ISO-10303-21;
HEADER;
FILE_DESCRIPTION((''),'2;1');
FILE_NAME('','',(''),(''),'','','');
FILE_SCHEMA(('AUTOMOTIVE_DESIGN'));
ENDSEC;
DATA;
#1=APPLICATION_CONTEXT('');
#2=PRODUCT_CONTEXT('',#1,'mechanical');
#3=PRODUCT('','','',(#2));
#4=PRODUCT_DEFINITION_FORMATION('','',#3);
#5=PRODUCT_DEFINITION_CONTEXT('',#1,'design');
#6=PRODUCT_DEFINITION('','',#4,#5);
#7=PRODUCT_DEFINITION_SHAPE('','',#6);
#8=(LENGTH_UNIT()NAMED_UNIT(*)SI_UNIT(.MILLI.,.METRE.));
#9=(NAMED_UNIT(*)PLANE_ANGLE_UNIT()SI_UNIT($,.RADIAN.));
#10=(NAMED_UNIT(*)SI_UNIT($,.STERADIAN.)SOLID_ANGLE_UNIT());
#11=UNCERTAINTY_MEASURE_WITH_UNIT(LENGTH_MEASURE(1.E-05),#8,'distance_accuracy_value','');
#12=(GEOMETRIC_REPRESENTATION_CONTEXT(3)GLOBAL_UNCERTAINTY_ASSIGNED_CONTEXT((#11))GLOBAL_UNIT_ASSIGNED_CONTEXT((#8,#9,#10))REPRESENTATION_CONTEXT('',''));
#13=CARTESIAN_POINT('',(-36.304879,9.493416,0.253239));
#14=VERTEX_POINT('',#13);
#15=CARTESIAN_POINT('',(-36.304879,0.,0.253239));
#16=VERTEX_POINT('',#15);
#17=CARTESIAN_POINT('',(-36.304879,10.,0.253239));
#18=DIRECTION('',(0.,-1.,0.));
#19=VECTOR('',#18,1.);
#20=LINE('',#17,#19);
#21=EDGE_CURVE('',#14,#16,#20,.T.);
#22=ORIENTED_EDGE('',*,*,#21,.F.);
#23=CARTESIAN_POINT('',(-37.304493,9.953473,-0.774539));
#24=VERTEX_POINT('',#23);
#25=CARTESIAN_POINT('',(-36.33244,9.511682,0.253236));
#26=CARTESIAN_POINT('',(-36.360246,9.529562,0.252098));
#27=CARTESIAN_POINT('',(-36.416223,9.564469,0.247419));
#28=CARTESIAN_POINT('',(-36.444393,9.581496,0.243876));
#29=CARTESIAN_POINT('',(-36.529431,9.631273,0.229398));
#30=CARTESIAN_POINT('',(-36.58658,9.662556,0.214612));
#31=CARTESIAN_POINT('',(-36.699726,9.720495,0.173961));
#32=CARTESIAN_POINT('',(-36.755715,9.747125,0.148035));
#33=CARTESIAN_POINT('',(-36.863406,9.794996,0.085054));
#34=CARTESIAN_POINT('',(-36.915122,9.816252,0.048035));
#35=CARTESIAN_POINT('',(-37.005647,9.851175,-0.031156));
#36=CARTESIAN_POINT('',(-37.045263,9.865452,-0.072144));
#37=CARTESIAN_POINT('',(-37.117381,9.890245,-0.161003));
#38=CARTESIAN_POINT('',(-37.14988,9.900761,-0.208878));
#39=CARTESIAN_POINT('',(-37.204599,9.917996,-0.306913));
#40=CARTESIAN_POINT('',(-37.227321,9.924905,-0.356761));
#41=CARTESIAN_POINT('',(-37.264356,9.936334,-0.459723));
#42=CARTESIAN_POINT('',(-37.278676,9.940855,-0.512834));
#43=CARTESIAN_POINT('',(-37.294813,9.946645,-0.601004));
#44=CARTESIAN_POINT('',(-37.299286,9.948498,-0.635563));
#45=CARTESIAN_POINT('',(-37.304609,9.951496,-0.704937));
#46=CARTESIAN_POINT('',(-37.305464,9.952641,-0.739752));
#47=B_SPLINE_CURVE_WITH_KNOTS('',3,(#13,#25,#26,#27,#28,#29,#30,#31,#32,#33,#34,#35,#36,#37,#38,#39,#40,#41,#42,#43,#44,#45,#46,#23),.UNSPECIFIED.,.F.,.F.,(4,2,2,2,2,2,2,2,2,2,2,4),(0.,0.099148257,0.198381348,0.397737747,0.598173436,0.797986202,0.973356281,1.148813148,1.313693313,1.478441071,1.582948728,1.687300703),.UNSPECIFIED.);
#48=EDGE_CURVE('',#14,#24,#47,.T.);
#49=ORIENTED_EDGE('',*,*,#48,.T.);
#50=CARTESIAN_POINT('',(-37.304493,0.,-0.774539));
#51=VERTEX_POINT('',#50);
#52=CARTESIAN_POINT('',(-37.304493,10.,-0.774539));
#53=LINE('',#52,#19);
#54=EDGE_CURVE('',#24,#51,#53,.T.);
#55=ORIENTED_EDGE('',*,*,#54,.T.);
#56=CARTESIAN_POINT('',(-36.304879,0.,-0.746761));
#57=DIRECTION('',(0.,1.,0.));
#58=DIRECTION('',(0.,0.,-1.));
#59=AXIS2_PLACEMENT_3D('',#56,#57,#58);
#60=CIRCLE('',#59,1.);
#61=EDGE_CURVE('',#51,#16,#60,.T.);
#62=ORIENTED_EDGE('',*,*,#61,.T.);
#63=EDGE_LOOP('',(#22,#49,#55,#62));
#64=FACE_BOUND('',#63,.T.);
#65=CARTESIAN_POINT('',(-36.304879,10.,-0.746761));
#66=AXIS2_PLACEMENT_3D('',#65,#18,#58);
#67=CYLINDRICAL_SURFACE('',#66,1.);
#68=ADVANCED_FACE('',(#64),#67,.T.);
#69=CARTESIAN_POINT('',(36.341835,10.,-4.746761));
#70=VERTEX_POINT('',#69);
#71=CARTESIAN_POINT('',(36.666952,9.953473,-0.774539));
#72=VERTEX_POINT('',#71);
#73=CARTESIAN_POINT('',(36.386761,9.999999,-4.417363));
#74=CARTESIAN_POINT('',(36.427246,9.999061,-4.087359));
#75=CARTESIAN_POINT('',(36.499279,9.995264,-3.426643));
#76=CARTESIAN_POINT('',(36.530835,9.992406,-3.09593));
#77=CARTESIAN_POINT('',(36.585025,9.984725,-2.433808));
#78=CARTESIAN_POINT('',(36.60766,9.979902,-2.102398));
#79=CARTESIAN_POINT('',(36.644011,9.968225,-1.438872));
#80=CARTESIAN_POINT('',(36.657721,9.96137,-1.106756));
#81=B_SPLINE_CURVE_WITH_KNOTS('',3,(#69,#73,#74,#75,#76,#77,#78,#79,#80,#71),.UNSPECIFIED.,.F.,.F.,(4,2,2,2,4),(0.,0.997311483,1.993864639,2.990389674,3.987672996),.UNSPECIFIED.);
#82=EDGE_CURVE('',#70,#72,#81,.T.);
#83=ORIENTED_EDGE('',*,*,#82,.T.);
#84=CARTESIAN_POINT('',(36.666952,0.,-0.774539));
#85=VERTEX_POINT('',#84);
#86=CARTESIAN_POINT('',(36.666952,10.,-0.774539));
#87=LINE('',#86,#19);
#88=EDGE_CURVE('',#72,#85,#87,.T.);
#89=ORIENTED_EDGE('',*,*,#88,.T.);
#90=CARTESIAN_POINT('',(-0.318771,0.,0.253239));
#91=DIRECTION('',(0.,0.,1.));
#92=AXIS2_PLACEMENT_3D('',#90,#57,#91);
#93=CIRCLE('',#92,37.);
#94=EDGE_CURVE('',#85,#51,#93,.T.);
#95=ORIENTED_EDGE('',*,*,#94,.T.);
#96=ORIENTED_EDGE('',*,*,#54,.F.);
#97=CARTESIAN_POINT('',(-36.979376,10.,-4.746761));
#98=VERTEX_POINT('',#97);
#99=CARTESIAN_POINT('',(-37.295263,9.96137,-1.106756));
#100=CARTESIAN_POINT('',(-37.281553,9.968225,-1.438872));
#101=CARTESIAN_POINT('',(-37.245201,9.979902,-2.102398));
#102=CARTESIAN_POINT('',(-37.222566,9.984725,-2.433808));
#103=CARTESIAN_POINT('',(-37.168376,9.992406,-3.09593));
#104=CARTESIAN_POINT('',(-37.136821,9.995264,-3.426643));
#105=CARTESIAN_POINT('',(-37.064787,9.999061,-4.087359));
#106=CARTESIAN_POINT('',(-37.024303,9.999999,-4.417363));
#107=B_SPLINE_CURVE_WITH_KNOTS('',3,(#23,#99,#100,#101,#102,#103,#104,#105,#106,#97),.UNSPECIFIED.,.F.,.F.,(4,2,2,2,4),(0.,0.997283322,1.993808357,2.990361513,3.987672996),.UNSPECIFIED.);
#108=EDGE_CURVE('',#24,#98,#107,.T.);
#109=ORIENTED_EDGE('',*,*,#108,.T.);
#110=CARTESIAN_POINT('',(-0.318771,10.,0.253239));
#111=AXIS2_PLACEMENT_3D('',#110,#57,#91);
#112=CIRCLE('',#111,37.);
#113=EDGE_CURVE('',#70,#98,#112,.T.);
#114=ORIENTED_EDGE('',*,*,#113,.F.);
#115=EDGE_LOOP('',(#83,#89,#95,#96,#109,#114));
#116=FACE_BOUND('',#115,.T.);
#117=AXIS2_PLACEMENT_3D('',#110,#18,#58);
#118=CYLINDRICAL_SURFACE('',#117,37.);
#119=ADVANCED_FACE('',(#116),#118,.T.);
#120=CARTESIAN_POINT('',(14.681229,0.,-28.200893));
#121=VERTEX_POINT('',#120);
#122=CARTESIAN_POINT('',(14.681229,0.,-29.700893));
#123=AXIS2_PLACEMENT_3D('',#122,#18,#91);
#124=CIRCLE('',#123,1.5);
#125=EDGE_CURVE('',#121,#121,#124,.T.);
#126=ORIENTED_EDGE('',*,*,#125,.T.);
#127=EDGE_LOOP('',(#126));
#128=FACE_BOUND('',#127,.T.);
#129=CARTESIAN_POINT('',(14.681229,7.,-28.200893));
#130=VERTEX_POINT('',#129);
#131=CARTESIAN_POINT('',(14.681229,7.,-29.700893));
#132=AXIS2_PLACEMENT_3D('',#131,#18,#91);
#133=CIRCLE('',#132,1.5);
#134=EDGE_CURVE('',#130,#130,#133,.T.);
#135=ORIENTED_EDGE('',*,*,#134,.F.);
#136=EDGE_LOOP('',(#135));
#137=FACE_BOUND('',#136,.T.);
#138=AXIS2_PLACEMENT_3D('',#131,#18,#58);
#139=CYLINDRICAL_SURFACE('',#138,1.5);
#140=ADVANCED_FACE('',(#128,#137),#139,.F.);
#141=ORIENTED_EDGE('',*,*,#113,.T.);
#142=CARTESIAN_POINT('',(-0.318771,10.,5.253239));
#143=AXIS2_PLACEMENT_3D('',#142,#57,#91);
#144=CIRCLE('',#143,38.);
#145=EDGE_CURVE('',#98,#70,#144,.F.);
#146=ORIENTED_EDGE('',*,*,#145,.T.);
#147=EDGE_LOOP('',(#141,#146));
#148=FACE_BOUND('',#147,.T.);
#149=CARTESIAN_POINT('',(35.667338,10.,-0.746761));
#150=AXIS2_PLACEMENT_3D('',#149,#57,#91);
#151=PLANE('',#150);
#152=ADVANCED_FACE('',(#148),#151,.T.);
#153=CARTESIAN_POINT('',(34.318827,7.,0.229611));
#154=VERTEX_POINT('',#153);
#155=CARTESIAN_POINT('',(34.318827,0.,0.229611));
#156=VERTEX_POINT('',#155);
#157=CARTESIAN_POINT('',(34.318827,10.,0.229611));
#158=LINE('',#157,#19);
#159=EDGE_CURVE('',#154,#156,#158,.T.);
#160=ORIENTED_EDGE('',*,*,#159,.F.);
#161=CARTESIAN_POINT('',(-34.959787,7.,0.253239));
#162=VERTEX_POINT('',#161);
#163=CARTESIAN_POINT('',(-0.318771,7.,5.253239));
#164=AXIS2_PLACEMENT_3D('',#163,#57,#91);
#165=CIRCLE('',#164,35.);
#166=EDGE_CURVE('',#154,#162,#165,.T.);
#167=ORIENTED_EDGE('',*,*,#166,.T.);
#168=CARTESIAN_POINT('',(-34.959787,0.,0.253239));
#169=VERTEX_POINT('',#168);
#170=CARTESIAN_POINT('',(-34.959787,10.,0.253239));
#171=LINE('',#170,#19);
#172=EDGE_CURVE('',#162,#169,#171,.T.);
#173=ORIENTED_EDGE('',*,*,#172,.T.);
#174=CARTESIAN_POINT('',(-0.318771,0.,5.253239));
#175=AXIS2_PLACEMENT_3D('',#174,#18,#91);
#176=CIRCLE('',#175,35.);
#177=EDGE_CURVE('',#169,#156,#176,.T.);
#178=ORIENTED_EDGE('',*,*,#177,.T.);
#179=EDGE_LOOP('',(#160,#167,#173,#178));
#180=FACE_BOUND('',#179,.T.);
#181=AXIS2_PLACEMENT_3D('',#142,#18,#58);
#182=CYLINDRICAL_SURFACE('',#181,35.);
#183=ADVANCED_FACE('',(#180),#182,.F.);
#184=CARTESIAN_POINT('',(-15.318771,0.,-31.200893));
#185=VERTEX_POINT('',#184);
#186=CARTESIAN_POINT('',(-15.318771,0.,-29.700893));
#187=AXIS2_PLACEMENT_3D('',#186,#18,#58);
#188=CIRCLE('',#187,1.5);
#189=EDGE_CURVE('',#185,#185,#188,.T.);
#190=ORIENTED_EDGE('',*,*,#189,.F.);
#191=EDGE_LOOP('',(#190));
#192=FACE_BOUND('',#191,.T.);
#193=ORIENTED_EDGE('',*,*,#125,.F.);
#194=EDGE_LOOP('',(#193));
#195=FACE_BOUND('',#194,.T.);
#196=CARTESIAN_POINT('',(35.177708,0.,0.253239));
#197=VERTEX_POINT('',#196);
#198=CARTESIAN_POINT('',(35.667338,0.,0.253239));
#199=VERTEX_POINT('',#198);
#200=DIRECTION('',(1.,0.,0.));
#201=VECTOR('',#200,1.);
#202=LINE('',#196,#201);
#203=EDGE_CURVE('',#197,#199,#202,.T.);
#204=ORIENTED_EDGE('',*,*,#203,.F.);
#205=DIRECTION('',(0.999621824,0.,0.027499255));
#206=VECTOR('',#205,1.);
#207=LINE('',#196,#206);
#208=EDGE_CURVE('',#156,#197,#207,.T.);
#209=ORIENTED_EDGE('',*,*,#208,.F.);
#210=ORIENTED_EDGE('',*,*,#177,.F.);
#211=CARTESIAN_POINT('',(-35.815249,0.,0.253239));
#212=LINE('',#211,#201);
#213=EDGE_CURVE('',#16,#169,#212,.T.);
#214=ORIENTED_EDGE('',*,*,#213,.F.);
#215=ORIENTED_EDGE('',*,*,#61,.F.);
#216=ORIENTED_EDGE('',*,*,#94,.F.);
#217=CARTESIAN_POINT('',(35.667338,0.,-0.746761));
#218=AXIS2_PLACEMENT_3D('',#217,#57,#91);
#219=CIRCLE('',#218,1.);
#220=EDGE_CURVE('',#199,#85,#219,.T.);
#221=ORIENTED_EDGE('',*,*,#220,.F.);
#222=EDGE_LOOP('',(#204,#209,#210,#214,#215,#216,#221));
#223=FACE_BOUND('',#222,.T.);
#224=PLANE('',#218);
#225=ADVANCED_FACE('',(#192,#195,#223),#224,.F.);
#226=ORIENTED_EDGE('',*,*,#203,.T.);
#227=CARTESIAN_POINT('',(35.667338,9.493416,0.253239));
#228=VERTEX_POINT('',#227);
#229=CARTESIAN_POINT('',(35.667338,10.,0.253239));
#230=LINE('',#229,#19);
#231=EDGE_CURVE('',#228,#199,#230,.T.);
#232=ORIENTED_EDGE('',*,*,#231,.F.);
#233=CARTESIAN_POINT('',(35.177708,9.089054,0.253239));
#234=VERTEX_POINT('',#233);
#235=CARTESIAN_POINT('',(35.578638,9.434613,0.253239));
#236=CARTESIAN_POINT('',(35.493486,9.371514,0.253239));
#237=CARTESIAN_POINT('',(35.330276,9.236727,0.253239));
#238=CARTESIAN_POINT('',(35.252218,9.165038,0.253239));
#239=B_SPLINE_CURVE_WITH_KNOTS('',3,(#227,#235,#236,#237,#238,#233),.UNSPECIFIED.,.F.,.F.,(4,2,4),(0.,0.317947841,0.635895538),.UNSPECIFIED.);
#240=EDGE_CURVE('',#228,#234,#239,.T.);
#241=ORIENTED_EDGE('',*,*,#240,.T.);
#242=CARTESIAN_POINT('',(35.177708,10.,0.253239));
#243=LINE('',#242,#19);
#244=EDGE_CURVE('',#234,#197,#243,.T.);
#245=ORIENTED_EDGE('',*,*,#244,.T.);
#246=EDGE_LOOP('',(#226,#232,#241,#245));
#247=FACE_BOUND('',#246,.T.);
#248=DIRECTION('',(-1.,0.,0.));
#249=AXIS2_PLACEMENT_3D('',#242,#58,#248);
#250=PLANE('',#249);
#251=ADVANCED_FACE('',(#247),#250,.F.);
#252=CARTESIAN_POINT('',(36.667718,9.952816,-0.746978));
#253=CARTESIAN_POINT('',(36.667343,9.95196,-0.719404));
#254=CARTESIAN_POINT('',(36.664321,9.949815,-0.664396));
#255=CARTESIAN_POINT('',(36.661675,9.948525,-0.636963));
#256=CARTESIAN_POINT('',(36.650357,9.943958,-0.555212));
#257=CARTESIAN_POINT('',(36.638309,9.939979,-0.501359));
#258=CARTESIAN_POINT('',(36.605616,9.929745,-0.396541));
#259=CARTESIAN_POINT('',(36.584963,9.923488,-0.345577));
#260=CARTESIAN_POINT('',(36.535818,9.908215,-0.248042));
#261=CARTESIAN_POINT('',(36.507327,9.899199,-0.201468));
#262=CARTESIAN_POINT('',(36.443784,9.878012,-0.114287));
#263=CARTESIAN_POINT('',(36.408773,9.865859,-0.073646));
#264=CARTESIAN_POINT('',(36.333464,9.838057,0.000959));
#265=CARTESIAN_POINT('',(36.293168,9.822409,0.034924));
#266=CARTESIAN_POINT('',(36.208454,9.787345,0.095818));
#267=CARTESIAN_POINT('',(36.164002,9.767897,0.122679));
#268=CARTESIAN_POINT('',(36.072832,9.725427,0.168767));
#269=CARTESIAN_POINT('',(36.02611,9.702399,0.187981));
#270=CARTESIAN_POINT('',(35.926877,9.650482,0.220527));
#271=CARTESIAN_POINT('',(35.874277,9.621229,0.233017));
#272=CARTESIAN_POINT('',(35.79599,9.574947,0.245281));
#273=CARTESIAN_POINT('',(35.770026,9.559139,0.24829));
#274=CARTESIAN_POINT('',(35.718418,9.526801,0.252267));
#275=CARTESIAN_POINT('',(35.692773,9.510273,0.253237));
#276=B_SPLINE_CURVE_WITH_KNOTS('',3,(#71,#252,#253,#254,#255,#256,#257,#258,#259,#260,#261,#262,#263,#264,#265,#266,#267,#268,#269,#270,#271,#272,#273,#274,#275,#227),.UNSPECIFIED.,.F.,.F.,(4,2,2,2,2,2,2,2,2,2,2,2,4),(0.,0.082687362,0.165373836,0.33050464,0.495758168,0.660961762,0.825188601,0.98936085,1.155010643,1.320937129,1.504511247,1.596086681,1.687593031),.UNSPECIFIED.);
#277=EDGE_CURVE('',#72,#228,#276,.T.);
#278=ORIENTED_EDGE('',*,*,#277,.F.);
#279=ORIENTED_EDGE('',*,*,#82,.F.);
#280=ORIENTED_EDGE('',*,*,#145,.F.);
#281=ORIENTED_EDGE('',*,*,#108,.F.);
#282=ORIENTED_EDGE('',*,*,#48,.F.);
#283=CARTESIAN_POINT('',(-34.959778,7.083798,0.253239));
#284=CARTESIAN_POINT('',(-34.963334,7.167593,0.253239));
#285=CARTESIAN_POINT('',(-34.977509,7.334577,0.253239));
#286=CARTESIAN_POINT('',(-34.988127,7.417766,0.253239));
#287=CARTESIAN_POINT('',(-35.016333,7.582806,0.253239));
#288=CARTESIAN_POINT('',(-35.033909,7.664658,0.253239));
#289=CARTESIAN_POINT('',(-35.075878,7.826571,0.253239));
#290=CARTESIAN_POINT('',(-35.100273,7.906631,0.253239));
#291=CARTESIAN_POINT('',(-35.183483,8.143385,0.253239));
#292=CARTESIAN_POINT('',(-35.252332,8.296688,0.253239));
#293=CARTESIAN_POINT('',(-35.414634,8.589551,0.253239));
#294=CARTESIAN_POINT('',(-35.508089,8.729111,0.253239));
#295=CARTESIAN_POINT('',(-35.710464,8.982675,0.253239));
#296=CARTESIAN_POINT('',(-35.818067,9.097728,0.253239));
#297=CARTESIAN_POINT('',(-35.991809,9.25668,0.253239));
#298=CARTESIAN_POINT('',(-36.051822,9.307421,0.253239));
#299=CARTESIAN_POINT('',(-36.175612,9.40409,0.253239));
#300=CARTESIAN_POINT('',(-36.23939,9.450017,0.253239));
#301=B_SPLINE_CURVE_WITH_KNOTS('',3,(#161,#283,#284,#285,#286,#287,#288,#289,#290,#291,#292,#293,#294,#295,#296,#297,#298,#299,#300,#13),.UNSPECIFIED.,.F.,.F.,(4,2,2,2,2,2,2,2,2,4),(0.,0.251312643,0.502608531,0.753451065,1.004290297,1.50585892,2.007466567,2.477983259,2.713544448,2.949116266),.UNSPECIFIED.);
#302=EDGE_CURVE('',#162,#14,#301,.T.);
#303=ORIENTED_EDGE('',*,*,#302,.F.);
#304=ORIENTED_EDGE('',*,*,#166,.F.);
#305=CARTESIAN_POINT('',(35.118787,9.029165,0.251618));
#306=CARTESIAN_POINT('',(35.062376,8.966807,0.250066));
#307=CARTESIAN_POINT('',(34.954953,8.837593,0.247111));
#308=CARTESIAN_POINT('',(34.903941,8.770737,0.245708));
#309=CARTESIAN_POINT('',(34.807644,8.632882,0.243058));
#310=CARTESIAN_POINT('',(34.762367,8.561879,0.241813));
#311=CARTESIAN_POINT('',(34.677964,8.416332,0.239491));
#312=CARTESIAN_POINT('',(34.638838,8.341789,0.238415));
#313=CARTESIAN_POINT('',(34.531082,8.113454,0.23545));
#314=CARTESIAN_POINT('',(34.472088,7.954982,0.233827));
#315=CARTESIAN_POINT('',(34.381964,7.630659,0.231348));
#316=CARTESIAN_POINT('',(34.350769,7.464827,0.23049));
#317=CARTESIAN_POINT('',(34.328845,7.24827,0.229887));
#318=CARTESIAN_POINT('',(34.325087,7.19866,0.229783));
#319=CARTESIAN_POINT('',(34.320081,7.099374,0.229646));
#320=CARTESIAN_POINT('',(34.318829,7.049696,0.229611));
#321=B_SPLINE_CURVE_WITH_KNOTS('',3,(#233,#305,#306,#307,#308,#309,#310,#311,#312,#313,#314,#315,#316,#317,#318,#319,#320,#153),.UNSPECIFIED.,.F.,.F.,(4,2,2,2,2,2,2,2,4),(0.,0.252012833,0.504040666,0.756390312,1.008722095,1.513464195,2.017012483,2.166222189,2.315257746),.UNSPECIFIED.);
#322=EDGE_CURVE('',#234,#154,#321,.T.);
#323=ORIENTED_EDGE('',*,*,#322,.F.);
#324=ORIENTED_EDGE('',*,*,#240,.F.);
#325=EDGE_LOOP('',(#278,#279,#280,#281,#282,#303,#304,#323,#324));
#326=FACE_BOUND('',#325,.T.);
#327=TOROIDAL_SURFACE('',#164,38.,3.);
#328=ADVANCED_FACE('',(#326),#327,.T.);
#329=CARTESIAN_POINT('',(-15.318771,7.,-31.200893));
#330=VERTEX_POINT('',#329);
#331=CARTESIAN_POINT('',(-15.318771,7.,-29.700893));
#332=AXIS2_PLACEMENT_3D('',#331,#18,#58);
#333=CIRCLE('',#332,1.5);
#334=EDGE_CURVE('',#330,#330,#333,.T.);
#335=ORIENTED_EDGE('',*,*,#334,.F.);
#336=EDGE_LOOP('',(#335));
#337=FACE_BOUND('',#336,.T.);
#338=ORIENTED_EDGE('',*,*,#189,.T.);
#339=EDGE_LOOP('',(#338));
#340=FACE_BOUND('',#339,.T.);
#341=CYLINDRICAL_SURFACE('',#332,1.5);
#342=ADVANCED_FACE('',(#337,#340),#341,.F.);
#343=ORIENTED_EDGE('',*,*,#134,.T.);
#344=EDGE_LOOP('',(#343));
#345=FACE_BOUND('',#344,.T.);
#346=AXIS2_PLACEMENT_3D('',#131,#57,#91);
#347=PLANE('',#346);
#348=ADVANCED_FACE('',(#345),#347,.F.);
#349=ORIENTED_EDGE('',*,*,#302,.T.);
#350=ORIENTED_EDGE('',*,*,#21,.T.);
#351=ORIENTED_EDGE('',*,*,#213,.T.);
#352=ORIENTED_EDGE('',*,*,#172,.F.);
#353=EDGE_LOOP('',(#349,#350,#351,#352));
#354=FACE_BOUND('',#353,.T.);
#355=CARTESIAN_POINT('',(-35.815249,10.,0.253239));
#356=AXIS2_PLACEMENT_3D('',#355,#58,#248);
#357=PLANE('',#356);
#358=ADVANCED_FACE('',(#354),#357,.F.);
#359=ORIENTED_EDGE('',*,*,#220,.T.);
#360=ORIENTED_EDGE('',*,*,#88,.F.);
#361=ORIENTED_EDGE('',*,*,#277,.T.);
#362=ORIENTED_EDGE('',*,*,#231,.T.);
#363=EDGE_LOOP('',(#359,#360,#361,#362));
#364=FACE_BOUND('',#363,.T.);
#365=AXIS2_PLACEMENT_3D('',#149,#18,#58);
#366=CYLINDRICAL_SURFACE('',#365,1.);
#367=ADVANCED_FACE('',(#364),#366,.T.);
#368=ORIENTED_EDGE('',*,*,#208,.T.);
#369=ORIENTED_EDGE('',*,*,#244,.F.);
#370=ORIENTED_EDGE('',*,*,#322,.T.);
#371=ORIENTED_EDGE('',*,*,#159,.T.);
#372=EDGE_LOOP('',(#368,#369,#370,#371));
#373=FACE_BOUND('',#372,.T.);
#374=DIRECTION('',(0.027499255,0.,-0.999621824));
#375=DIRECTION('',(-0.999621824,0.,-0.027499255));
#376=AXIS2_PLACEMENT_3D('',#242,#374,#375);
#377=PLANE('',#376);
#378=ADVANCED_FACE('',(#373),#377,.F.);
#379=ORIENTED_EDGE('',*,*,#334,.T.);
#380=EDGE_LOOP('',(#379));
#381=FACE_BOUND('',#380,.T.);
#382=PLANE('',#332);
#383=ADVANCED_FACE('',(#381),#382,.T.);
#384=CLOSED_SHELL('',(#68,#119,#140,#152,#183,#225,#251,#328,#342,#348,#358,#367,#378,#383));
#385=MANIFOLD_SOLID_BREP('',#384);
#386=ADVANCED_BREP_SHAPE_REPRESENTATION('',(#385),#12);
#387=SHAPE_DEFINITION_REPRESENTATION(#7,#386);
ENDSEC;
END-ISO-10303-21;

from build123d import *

# Parameters (mm, degrees)
EXTRUDE_1_DEPTH     = 10
FILLET_2_R          = 3
SKETCH_2_R          = 1.5
CUT_EXTRUDE_1_DEPTH = 7


with BuildPart() as part:
    # 草图1 → 凸台-拉伸1 (new body)
    with BuildSketch(Plane(origin=(0, 0, 0), x_dir=(1, 0, 0), z_dir=(0, 1, 0))):
        with BuildLine():
            Line((35.177708011, -0.253238784), (35.667337743, -0.253238784))
            ThreePointArc((35.667337743, -0.253238784), (36.384198182, 0.049544528), (36.666951866, 0.774538994))
            ThreePointArc((36.666951866, 0.774538994), (-0.318770688, 36.746761216), (-37.304493242, 0.774538994))
            ThreePointArc((-37.304493242, 0.774538994), (-37.021739558, 0.049544528), (-36.304879119, -0.253238784))
            Line((-36.304879119, -0.253238784), (-35.815249387, -0.253238784))
            Line((-35.815249387, -0.253238784), (-34.959786839, -0.253238784))
            ThreePointArc((-34.959786839, -0.253238784), (-0.330707465, 29.746759181), (34.318826897, -0.229611257))
            Line((34.318826897, -0.229611257), (35.177708011, -0.253238784))
        make_face()
    extrude(amount=EXTRUDE_1_DEPTH)

    # 圆角2
    fillet_2_edges = [part.edges().sort_by_distance(p)[0] for p in [
        (-0.330707465, 10, -29.746759181),
    ]]
    fillet(fillet_2_edges, radius=FILLET_2_R)

    # 草图2 → 切除-拉伸1 (cut)
    with BuildSketch(Plane.XZ):
        with Locations(Location((-15.318770688, -29.700892818, 0), (0, 0, 270))):
            Circle(SKETCH_2_R)
        with Locations(Location((14.681229312, -29.700892818, 0), (0, 0, 90))):
            Circle(SKETCH_2_R)
    extrude(amount=-CUT_EXTRUDE_1_DEPTH, mode=Mode.SUBTRACT)


solid = part.part
